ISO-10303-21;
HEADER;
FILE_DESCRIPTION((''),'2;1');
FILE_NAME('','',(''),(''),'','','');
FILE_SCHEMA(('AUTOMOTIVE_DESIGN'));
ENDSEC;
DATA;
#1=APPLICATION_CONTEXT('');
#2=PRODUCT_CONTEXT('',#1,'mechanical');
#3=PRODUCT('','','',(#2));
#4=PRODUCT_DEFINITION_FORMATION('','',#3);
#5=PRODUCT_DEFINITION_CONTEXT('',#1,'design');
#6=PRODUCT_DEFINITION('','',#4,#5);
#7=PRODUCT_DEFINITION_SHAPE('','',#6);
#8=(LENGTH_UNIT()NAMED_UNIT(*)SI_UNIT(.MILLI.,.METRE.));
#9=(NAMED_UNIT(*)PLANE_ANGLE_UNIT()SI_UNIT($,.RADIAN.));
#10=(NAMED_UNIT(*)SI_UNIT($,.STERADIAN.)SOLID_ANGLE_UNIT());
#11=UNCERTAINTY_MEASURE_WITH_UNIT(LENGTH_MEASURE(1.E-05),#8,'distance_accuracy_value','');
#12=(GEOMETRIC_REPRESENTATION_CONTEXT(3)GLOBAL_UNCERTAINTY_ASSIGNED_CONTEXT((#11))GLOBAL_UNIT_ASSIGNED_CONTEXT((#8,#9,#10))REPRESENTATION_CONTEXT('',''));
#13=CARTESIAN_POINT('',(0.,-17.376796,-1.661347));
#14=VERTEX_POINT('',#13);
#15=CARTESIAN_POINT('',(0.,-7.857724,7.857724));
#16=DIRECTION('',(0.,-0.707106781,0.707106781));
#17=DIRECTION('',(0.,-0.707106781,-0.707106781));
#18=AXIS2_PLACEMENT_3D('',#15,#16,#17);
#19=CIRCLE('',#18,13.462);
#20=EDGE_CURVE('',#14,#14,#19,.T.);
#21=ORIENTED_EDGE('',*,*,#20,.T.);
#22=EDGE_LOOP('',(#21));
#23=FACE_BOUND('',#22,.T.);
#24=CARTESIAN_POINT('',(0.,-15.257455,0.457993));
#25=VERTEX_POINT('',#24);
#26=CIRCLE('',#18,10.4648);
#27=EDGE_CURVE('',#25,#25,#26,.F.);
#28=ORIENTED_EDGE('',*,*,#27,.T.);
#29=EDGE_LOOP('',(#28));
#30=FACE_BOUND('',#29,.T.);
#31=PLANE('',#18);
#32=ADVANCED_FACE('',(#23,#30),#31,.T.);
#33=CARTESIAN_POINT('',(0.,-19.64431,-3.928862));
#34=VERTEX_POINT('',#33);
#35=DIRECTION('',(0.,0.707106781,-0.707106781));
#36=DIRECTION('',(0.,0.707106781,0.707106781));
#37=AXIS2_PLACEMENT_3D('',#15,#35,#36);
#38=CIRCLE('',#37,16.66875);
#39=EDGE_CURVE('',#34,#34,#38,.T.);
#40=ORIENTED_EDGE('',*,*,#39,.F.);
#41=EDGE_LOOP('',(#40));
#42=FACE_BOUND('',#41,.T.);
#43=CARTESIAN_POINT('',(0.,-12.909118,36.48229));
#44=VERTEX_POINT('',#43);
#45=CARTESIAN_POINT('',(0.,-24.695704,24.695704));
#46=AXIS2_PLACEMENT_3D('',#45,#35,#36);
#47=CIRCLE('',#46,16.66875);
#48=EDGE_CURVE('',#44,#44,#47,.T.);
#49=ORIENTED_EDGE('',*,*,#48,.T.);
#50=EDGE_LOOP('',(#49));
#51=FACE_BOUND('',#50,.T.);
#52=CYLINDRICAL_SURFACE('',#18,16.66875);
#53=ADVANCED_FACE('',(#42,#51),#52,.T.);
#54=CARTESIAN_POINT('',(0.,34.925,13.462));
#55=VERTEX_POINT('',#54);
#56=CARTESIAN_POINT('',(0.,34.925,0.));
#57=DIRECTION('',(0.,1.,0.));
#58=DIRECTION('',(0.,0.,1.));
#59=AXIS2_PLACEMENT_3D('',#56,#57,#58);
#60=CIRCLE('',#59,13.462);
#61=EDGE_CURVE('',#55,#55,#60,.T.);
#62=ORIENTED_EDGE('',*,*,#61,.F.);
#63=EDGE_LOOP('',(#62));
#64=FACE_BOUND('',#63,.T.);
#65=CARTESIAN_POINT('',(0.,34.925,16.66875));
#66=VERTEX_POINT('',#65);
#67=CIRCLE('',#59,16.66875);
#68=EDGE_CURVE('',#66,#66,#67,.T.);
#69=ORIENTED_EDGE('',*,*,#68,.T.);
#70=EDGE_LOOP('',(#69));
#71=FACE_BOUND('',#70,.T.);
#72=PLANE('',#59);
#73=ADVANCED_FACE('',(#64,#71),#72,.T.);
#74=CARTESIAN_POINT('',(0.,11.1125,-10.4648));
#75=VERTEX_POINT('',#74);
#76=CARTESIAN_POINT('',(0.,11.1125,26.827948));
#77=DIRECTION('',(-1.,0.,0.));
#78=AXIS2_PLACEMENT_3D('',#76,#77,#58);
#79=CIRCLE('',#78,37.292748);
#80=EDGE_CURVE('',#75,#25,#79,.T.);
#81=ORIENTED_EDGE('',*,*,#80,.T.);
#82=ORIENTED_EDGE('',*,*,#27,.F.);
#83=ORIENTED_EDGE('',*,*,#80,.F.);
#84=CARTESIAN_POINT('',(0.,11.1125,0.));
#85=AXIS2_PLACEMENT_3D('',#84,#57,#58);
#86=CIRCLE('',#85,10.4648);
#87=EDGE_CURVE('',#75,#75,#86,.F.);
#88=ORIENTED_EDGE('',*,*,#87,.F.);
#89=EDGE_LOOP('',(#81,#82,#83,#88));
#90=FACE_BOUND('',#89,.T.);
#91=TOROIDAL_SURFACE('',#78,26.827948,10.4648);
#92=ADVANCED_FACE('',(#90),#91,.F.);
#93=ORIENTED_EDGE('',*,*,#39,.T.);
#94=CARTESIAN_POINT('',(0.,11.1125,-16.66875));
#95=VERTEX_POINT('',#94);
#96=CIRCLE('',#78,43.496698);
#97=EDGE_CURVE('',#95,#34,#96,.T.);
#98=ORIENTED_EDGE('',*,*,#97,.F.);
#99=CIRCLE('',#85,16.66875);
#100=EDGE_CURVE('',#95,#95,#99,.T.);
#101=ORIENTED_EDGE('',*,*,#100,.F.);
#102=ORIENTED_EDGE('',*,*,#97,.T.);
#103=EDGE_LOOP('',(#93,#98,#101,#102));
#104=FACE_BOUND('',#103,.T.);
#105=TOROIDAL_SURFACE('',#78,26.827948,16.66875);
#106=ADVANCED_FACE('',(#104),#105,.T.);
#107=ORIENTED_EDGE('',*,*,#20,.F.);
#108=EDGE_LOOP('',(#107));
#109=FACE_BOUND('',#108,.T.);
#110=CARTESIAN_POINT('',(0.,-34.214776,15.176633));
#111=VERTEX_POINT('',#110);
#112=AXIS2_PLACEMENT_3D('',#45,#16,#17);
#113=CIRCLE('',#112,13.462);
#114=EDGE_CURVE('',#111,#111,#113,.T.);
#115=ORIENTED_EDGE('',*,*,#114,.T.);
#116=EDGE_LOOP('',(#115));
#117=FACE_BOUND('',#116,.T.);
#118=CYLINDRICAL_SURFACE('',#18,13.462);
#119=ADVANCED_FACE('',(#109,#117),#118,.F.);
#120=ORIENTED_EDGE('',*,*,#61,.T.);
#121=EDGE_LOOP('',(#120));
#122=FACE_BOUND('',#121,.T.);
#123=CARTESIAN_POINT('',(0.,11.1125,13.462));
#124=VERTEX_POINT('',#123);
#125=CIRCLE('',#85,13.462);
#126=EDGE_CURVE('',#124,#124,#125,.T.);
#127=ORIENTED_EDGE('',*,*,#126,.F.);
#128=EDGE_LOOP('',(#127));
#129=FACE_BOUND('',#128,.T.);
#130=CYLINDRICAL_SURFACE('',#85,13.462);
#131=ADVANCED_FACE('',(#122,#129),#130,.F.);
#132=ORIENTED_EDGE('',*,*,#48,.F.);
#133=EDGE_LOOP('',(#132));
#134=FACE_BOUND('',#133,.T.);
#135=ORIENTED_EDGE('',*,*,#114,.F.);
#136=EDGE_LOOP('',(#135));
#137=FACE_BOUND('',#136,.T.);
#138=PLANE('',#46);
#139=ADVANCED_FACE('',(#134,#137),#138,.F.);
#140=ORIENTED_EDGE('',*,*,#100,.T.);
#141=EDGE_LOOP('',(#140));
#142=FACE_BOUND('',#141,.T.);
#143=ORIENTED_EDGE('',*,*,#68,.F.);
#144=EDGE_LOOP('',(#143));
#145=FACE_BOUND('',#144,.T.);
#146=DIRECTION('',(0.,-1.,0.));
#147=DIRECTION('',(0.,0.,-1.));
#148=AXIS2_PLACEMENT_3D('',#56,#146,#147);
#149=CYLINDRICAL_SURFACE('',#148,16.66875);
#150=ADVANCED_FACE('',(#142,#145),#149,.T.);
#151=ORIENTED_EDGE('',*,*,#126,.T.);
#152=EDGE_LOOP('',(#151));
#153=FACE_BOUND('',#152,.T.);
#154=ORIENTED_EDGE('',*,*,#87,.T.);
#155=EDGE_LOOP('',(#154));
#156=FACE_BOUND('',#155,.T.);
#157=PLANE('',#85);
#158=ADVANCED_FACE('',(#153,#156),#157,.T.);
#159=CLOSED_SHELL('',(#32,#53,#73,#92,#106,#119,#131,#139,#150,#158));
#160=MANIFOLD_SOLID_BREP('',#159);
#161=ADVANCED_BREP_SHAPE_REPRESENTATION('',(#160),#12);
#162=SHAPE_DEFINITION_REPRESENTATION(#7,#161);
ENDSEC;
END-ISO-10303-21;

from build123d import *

# Parameters (mm, degrees)
SKETCH3_R          = 16.66875
SKETCH3_R_2        = 10.4648
SKETCH4_R          = 13.462
CUT_EXTRUDE1_DEPTH = 23.8125
SKETCH5_R          = 13.462
CUT_EXTRUDE2_DEPTH = 23.8125


with BuildPart() as part:
    # Sweep1: sweep along a path in Sketch2
    with BuildLine(Plane(origin=(0, 0, 0), x_dir=(0, 0, -1), z_dir=(1, 0, 0))) as sweep1_path:
        Line((-24.695704333, -24.695704333), (-7.857724106, -7.857724106))
        ThreePointArc((-7.857724106, -7.857724106), (-2.04215596, 0.845888695), (0, 11.1125))
        Line((0, 11.1125), (0, 34.925))
    # Sketch3 → Sweep1 (sweep)
    with BuildSketch(Plane(origin=(0, 34.925, 0), x_dir=(1, 0, 0), z_dir=(0, 1, 0))):
        Circle(SKETCH3_R)
        Circle(SKETCH3_R_2, mode=Mode.SUBTRACT)
    sweep(path=sweep1_path.line)

    # Sketch4 → Cut-Extrude1 (cut)
    with BuildSketch(Plane(origin=(0, 34.925, 0), x_dir=(1, 0, 0), z_dir=(0, 1, 0))):
        with Locations(Location((0, 0, 0), (0, 0, 270))):
            Circle(SKETCH4_R)
    extrude(amount=-CUT_EXTRUDE1_DEPTH, mode=Mode.SUBTRACT)

    # Sketch5 → Cut-Extrude2 (cut)
    with BuildSketch(Plane(origin=(0, -24.695704333, 24.695704333), x_dir=(1, 0, 0), z_dir=(0, -0.7071067811865559, 0.7071067811865392))):
        with Locations(Location((0, 0, 0), (0, 0, 270))):
            Circle(SKETCH5_R)
    extrude(amount=-CUT_EXTRUDE2_DEPTH, mode=Mode.SUBTRACT)


solid = part.part
